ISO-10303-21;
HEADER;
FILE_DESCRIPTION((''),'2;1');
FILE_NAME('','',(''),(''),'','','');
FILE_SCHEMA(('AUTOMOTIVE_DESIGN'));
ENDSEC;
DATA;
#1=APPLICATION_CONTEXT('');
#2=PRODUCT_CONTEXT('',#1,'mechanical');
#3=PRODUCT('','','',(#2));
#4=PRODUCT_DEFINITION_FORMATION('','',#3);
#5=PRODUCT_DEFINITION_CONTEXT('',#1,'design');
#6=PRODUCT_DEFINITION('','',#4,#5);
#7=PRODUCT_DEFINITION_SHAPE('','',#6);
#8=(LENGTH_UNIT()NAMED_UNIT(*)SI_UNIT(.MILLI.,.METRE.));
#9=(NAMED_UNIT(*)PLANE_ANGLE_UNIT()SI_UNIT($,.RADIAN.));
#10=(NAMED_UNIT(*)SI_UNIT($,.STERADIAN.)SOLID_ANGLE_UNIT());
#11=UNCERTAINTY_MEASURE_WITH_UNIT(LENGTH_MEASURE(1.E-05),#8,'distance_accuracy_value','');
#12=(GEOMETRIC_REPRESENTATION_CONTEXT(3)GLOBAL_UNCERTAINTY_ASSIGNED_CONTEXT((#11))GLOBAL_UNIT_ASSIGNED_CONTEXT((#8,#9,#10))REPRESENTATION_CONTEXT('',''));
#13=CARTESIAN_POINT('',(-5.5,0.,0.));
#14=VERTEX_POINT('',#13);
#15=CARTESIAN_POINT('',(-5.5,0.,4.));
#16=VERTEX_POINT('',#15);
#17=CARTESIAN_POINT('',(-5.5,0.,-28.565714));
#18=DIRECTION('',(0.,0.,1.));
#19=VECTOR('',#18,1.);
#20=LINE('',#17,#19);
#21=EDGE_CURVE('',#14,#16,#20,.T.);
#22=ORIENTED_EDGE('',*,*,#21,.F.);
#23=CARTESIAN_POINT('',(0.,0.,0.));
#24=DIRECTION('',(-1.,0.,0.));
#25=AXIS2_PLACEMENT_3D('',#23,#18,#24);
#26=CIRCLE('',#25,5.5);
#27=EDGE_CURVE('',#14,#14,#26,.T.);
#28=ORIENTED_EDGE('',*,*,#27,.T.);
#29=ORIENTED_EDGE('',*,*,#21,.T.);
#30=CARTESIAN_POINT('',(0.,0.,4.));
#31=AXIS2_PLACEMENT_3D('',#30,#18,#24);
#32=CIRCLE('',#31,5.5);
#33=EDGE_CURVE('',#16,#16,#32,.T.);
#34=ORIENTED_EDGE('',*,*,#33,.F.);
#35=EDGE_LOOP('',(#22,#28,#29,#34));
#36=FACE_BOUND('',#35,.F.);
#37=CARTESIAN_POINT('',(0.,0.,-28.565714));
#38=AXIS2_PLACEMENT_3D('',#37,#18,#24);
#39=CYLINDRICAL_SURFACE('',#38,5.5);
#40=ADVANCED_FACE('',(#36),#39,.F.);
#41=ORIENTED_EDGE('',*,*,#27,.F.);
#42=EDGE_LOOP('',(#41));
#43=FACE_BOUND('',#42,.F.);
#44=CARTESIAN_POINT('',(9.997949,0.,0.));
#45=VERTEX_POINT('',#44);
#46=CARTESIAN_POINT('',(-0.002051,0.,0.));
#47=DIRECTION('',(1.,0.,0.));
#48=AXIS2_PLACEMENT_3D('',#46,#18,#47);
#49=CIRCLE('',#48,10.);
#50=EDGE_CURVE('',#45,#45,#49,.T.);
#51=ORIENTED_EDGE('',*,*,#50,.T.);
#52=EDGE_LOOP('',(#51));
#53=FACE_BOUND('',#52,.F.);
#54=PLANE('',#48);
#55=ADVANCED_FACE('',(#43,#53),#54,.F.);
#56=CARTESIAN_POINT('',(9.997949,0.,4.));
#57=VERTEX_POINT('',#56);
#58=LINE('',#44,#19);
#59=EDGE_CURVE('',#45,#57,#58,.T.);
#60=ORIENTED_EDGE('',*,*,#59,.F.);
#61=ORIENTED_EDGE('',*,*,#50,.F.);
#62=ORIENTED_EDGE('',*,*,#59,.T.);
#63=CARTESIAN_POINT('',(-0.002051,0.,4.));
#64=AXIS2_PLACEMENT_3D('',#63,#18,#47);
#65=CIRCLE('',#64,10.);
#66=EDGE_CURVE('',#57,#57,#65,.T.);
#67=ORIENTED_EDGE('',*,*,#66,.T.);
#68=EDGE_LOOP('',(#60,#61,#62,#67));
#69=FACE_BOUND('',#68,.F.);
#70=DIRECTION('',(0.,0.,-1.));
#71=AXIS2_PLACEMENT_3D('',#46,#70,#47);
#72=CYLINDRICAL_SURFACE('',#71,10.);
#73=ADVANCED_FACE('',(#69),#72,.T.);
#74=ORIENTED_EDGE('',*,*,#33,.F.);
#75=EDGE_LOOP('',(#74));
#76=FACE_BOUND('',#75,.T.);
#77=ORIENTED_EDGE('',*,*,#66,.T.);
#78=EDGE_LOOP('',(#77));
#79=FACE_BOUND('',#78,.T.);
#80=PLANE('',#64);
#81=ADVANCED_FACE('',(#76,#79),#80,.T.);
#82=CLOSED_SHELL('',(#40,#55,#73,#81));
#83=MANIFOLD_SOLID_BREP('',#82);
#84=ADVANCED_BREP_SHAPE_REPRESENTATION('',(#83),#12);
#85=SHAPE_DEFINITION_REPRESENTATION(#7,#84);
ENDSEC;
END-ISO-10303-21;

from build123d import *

# Parameters (mm, degrees)
F0_R     = 10
F2_DEPTH = 4
F3_D     = 11


with BuildPart() as f2:
    # F0 (on Top) → F2 (new body)
    with BuildSketch(Plane.XY):
        with Locations((-0.002051, 0)):
            Circle(F0_R)
    extrude(amount=F2_DEPTH)

    # F3 (through all)
    with Locations(Plane(origin=(0, 0, 0), x_dir=(1, 0, 0), z_dir=(0, 0, -1))):
        with Locations((0, 0)):
            Hole(F3_D / 2)


solid = f2.part
